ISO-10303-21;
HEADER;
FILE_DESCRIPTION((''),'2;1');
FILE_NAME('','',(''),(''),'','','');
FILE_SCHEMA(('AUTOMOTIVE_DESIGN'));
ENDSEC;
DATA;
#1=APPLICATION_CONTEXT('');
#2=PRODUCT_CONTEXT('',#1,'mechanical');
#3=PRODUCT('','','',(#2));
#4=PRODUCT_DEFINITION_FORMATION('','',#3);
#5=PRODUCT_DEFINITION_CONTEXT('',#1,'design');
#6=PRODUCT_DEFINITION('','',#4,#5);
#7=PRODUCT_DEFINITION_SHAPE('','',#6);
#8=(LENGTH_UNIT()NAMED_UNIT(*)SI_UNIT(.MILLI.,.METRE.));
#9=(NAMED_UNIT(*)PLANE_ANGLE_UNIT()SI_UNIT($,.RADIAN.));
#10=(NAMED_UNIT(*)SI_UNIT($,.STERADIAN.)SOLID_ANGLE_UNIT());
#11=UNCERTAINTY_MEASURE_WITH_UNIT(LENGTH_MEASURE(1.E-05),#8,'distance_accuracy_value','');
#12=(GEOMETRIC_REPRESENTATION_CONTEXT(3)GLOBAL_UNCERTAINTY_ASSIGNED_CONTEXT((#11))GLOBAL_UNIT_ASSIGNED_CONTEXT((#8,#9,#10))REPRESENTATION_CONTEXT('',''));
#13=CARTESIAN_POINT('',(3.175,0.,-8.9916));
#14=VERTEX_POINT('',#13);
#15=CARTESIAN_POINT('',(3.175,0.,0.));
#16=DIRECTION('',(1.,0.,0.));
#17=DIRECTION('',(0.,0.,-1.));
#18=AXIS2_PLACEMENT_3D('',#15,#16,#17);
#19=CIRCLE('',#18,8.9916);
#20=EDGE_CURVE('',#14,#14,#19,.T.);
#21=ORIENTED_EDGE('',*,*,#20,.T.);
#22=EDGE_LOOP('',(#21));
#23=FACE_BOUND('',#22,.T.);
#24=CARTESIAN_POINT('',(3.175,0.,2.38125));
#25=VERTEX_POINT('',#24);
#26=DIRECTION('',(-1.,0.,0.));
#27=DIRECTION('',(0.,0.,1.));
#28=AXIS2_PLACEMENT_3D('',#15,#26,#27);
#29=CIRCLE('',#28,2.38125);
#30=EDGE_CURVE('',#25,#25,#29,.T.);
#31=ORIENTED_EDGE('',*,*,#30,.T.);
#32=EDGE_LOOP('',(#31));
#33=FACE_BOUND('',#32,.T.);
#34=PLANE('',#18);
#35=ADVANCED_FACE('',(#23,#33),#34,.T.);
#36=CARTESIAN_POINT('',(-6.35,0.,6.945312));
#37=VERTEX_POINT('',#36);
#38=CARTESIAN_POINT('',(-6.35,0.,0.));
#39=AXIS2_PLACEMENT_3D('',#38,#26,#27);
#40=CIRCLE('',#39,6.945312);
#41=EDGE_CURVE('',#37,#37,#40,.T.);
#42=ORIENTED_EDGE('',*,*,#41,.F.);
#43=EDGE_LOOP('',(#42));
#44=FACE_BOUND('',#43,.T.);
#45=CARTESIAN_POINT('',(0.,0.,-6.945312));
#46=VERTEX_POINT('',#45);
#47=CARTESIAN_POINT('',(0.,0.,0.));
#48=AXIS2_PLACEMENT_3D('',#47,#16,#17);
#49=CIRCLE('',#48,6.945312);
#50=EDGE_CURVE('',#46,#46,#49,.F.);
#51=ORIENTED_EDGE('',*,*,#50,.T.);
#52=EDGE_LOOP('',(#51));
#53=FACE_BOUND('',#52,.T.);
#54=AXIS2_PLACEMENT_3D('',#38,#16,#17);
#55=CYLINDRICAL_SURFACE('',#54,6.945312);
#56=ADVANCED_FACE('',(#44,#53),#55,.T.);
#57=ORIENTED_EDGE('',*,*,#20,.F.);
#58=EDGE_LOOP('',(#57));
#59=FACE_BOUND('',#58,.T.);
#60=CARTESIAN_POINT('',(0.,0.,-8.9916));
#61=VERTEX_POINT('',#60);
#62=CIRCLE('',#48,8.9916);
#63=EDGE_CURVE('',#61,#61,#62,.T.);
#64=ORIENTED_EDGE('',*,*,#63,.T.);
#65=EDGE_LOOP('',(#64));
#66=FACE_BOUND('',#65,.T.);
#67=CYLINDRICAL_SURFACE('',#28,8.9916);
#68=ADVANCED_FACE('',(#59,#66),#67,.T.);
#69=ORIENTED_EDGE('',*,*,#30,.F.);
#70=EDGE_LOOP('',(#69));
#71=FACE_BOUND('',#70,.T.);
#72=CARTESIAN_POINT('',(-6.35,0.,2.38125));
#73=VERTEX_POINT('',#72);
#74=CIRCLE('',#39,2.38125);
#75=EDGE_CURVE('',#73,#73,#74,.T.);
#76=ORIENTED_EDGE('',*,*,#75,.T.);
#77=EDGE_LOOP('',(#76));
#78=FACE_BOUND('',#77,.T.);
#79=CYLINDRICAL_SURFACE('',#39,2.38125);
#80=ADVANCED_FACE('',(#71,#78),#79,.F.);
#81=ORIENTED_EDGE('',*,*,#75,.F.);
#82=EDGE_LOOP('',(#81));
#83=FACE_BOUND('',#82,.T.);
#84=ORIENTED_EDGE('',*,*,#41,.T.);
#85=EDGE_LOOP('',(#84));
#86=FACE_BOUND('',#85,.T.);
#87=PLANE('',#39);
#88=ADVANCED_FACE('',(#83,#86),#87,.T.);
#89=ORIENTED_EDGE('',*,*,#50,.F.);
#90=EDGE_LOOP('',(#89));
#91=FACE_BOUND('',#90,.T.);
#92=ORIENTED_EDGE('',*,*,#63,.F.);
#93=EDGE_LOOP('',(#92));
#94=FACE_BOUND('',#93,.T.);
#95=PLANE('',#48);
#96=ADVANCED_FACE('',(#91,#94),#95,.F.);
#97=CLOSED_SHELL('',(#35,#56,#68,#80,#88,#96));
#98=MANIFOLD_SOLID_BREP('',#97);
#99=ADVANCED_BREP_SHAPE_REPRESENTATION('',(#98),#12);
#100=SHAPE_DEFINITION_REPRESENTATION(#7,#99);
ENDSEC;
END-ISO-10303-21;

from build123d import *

# Parameters (mm, degrees)
SKETCH1_R                   = 8.9916
BOSS_EXTRUDE1_DEPTH         = 3.175
SKETCH2_R                   = 6.9453125
BOSS_EXTRUDE2_DEPTH         = 6.35
F_21_0_159_DIAMETER_HOLE1_D = 4.7625


with BuildPart() as part:
    # Sketch1 → Boss-Extrude1 (new body)
    with BuildSketch(Plane(origin=(0, 0, 0), x_dir=(0, 0, -1), z_dir=(1, 0, 0))):
        Circle(SKETCH1_R)
    extrude(amount=BOSS_EXTRUDE1_DEPTH)

    # Sketch2 → Boss-Extrude2 (add)
    with BuildSketch(Plane.ZY):
        with Locations(Location((0, 0, 0), (0, 0, 180))):
            Circle(SKETCH2_R)
    extrude(amount=BOSS_EXTRUDE2_DEPTH)

    # #21 (0.159) Diameter Hole1 (through all)
    with Locations(Plane.ZY.offset(6.35)):
        with Locations((0, 0)):
            Hole(F_21_0_159_DIAMETER_HOLE1_D / 2)


solid = part.part
